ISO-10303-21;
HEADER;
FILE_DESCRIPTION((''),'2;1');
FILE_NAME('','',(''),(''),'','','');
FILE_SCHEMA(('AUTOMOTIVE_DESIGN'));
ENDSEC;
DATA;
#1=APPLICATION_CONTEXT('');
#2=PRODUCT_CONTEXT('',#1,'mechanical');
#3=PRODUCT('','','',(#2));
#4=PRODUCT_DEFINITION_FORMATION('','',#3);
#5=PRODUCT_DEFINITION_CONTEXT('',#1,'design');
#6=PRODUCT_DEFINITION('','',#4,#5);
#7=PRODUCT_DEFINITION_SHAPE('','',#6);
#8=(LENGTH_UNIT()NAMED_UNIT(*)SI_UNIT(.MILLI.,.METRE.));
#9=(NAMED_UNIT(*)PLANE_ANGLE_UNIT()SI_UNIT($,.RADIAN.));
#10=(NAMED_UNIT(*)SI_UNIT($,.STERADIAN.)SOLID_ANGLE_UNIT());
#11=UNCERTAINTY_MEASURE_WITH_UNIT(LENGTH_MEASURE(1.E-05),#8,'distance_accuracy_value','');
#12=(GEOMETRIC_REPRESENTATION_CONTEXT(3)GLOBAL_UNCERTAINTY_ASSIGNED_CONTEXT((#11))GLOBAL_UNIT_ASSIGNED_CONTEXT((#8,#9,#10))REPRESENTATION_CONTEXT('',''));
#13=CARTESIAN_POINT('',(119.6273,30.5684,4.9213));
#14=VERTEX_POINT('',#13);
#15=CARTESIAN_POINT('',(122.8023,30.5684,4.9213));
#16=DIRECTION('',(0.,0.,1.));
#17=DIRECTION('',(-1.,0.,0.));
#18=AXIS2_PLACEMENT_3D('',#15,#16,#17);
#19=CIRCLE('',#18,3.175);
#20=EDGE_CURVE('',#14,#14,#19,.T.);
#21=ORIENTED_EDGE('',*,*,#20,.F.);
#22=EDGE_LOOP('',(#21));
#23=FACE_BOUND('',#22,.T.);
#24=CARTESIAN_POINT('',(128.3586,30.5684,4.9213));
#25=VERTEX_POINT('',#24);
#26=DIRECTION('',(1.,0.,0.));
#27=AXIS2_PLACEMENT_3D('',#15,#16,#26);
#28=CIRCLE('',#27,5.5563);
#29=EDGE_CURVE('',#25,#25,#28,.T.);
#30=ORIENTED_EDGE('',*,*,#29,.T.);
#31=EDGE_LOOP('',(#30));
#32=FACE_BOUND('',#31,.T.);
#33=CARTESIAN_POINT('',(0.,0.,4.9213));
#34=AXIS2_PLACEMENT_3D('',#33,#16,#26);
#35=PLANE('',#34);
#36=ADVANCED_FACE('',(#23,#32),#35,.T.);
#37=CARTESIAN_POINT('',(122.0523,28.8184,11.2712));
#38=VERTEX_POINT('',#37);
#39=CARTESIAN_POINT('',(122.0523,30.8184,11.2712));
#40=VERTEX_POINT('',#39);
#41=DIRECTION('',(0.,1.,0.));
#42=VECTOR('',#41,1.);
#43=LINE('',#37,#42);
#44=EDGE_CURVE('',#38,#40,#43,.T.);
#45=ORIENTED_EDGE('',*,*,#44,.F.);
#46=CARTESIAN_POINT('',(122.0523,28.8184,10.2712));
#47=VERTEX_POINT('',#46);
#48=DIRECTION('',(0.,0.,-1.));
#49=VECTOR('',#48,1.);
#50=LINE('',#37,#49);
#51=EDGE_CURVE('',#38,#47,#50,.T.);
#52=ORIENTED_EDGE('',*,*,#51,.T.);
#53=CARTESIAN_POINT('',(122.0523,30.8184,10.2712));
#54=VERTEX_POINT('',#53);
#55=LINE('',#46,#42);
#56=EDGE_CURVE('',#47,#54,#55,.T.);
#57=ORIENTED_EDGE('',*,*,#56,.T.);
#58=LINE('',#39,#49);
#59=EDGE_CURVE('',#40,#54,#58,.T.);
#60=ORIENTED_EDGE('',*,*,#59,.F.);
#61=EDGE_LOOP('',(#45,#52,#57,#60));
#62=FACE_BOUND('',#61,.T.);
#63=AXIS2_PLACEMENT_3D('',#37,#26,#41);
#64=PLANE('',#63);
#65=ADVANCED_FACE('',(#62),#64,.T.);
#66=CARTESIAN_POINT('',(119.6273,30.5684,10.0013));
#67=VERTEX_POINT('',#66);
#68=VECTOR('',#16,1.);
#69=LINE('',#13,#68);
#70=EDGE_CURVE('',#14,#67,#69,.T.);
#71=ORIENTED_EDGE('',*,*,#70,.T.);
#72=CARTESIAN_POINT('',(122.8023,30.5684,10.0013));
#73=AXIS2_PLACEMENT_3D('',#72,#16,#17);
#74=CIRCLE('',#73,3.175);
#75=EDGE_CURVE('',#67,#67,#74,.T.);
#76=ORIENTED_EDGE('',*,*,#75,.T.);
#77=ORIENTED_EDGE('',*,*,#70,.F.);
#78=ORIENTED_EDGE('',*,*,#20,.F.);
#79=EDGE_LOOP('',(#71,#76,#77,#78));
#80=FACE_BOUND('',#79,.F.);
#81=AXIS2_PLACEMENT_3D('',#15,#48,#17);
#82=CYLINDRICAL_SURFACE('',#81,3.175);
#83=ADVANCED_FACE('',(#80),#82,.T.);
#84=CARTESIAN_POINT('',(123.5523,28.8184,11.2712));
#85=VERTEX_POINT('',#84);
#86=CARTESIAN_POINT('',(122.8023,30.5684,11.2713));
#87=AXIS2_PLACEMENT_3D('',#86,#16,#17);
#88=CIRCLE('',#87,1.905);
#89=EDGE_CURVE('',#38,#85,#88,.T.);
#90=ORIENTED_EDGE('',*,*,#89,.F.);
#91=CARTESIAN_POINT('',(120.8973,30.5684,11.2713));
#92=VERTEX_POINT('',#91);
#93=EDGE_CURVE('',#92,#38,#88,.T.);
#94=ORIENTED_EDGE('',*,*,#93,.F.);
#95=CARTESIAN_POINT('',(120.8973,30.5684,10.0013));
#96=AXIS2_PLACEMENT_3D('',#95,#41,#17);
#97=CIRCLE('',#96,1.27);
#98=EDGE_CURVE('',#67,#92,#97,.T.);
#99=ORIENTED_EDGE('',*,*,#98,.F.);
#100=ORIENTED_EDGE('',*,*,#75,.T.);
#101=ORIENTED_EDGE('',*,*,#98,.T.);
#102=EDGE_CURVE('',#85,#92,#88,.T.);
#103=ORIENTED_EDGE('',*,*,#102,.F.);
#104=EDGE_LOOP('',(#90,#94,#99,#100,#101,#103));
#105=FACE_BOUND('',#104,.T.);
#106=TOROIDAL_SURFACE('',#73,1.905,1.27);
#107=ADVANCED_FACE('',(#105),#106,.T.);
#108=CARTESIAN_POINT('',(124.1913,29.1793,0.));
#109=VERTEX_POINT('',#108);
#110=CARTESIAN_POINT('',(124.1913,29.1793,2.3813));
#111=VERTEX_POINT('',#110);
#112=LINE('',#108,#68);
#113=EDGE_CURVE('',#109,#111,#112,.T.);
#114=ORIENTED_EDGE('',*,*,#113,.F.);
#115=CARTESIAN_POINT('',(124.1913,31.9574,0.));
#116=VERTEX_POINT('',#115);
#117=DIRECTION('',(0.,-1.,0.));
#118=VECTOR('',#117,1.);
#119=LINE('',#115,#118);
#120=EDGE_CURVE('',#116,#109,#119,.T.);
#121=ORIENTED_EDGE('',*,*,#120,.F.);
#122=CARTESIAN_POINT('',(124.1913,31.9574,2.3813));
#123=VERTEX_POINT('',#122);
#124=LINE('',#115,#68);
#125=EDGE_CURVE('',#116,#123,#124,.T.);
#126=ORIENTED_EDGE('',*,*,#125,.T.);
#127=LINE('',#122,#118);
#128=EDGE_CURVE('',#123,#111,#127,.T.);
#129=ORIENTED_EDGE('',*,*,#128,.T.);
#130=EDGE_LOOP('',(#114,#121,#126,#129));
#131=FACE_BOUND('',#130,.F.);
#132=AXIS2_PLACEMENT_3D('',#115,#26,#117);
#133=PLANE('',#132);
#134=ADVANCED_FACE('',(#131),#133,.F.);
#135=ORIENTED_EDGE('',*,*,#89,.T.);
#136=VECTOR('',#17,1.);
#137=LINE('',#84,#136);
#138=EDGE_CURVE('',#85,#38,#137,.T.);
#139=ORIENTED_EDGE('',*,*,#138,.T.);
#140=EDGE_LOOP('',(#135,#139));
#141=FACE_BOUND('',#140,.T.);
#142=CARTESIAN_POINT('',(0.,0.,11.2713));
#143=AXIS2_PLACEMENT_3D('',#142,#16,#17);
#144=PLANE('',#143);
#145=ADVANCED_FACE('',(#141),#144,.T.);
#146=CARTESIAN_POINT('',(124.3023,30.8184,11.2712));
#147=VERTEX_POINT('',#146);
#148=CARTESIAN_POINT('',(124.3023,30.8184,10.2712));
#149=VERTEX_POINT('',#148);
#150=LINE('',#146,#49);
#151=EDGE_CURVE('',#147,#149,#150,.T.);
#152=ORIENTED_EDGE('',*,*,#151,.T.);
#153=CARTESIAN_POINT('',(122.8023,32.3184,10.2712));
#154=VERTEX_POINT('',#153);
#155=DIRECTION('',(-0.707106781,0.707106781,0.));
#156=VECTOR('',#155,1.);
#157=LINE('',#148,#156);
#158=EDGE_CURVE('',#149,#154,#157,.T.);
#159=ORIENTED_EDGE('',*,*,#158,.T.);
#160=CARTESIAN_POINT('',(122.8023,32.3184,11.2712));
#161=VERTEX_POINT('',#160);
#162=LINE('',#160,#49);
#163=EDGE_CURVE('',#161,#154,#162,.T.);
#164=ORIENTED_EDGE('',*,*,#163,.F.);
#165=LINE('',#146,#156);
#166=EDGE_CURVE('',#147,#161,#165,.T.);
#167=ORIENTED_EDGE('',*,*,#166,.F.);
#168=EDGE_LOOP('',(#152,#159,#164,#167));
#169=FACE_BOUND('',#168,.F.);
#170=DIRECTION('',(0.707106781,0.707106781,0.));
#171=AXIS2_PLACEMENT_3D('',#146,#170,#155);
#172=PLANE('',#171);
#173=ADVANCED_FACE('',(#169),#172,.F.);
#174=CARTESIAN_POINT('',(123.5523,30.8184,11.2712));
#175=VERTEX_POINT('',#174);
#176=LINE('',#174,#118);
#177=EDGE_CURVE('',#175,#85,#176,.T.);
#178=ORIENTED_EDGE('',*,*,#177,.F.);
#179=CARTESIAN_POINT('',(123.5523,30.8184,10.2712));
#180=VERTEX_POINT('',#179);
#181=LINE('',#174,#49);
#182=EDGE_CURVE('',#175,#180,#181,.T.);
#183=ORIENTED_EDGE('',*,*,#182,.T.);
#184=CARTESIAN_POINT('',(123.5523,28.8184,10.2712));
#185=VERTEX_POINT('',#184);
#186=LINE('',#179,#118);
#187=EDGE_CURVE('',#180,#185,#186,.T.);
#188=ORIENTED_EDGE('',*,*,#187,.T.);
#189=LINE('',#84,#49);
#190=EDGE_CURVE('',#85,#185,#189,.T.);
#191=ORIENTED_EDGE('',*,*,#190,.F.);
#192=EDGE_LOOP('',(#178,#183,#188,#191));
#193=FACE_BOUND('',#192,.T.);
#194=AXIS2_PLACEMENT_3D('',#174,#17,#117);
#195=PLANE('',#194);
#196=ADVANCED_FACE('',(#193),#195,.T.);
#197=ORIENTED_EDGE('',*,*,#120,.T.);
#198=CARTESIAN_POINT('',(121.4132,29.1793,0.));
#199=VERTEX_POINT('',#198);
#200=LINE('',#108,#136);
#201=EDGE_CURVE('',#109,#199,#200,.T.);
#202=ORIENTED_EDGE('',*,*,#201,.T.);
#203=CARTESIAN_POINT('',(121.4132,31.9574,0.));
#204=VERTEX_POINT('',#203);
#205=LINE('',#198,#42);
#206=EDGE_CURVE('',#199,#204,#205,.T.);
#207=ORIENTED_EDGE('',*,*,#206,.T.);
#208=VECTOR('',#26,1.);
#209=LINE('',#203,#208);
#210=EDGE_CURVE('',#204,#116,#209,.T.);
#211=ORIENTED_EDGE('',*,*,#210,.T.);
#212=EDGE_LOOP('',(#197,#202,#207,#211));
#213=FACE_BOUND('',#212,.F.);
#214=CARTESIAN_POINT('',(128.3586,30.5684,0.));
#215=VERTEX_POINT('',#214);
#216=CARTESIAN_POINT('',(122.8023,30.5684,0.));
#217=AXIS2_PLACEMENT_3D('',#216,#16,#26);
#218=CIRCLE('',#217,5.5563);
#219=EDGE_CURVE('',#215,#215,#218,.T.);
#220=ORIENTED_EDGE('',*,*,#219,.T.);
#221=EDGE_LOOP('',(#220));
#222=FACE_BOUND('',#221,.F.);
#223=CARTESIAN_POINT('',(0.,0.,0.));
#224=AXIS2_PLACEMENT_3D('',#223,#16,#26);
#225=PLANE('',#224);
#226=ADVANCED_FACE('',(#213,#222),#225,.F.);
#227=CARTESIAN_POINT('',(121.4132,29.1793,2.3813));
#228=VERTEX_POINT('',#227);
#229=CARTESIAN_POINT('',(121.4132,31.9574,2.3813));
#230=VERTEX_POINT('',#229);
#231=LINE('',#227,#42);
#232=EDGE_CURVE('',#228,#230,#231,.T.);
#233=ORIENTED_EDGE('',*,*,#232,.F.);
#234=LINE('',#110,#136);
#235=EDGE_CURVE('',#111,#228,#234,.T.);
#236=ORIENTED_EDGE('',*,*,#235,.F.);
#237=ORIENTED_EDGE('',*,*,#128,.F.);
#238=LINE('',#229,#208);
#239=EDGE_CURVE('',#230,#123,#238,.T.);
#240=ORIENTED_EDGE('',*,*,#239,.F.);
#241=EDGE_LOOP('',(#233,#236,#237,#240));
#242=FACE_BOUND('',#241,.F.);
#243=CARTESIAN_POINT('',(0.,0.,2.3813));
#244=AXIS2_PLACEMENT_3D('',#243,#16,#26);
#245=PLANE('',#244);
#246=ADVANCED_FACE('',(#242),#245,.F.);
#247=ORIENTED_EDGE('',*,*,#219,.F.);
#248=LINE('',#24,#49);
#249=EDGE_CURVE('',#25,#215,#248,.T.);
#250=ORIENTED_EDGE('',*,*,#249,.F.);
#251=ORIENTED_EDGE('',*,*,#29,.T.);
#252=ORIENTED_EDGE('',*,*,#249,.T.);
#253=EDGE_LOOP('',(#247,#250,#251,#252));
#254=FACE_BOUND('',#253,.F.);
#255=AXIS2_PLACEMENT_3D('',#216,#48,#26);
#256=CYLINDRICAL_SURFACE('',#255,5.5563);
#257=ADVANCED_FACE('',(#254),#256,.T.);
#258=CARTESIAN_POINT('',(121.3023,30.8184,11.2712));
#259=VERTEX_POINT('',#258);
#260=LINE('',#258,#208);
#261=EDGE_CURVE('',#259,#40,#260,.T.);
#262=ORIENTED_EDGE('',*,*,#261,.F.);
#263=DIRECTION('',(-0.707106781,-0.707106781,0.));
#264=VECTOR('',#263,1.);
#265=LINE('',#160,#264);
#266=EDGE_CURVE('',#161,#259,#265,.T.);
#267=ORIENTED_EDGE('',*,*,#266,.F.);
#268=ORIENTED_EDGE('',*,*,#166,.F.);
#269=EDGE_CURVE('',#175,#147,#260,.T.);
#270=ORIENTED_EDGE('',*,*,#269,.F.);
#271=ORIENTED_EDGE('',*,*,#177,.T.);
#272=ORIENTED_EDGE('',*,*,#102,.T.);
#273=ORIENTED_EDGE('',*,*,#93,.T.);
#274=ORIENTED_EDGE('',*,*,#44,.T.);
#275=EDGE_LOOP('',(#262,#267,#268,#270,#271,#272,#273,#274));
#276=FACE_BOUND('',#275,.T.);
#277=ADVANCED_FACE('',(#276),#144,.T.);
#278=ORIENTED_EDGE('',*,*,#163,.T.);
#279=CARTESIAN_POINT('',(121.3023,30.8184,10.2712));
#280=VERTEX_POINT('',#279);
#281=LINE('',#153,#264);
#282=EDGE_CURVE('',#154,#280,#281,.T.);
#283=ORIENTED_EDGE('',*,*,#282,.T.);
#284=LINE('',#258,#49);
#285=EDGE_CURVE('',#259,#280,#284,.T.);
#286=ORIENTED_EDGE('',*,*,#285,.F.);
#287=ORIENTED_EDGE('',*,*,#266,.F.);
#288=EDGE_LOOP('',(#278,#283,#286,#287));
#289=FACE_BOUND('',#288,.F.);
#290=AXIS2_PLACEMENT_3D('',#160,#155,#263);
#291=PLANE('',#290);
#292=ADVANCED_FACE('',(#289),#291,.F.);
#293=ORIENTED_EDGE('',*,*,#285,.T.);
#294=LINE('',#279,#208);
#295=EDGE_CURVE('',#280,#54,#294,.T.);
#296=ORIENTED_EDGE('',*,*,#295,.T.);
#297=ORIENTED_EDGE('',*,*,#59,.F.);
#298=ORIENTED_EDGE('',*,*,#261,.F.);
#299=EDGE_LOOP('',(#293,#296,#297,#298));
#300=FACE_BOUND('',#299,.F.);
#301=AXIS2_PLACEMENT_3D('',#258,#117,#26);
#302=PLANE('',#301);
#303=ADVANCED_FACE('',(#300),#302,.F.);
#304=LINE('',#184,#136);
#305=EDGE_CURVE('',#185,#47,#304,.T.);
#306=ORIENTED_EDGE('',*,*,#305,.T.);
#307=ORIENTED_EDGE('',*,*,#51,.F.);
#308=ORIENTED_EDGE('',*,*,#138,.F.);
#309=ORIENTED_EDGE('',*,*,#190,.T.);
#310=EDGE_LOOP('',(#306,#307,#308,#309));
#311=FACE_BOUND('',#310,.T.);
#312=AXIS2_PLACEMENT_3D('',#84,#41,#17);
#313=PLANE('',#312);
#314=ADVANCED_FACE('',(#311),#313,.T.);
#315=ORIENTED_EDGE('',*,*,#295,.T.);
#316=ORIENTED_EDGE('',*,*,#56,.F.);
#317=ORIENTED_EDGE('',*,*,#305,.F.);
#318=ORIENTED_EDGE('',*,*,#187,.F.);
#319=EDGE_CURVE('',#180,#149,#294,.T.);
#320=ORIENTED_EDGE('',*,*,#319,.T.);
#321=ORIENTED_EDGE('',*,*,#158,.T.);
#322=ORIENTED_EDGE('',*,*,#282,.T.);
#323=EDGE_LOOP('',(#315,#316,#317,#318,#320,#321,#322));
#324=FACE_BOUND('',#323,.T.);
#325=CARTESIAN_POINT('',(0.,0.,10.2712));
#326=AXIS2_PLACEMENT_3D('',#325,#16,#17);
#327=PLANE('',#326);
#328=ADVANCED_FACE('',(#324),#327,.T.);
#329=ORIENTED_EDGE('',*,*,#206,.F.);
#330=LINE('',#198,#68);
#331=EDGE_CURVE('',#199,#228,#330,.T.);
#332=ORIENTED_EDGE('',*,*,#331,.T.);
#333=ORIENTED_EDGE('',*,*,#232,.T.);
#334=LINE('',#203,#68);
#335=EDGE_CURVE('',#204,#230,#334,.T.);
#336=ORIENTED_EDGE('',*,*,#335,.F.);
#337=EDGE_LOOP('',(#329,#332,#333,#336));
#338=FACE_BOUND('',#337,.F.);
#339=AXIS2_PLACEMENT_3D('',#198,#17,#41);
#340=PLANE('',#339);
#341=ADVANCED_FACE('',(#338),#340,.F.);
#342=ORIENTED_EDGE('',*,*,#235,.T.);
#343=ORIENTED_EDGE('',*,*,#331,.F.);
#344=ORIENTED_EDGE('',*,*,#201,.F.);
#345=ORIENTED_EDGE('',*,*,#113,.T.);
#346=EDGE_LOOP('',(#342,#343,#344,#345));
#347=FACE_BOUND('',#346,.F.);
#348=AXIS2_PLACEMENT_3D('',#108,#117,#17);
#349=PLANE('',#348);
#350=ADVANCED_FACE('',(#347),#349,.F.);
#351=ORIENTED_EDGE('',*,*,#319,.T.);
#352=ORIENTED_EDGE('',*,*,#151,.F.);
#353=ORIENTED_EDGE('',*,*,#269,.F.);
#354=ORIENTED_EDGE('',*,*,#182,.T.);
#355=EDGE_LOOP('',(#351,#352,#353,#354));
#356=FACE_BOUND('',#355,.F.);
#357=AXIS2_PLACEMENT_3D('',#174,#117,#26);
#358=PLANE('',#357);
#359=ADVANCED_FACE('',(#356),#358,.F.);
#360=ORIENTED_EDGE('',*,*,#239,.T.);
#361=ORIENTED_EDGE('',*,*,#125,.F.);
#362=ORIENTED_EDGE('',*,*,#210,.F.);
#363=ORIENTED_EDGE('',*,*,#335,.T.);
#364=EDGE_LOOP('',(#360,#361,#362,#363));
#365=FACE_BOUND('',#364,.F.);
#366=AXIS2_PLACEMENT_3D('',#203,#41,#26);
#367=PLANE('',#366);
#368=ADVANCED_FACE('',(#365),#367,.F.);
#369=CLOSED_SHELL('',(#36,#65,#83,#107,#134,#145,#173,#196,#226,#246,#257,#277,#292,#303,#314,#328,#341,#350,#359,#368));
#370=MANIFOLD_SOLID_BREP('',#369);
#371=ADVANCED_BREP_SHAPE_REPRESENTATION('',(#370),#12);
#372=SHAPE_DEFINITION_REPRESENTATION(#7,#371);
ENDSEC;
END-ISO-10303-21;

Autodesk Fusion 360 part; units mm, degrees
sketch "Sketch1" plane through (0, 0, 0) normal (0, 0, 1) x (1, 0, 0)
  line L0 (121.4132, 31.9574) -> (124.1913, 31.9574)
  line L1 (124.1913, 31.9574) -> (124.1913, 29.1793)
  line L2 (124.1913, 29.1793) -> (121.4132, 29.1793)
  line L3 (121.4132, 29.1793) -> (121.4132, 31.9574)
  circle A0 centre (122.8023, 30.5684) radius 5.5563
  dimension "d1" = 2.7781
  dimension "d2" = 2.7781
  dimension "d17" = 11.1125
extrude "Extrude1" add sketch "Sketch1" along normal blind 2.3813
extrude "Extrude4" add sketch "Sketch1" along normal blind 2.54 from surface at 2.3813 contours L0 L1 L2 L3 | A0
sketch "Sketch2" plane through (0, 0, 4.9213) normal (0, 0, 1) x (-1, 0, 0)
  line L0 (-124.1913, -29.1793) -> (-121.4132, -29.1793)
  line L1 (-121.4132, -29.1793) -> (-121.4132, -31.9574)
  line L2 (-121.4132, -31.9574) -> (-124.1913, -31.9574)
  line L3 (-124.1913, -31.9574) -> (-124.1913, -29.1793)
  circle A0 centre (-122.8023, -30.5684) radius 3.175
  circle A1 centre (-122.8023, -30.5684) radius 5.5562
  circle A2 centre (-122.8023, -30.5684) radius 5.5562
  point P0 (-121.4132, -30.5684)
  point P1 (-122.8023, -31.9574)
  dimension "d6" = 6.35
extrude "Extrude2" add sketch "Sketch2" along normal blind 6.35 contours L0 L1 L2 L3 | A0
fillet "Fillet1" radius 1.27 1 edges at (125.7624, 31.7165, 11.2712)
sketch "Sketch3" plane through (0, 0, 11.2712) normal (0, 0, 1) x (-1, 0, 0)
  circle A0 centre (-122.8023, -30.5684) radius 1.905
  line L0 (-122.0523, -30.8184) -> (-123.5523, -30.8184) construction
  line L1 (-123.5523, -30.8184) -> (-123.5523, -28.8184)
  line L2 (-123.5523, -28.8184) -> (-122.0523, -28.8184)
  line L3 (-122.0523, -28.8184) -> (-122.0523, -30.8184)
  line L4 (-121.3023, -30.8184) -> (-124.3023, -30.8184)
  line L5 (-124.3023, -30.8184) -> (-122.8023, -32.3184)
  line L6 (-122.8023, -32.3184) -> (-121.3023, -30.8184)
  line L7 (-122.8023, -32.3184) -> (-122.8023, -28.8184) construction
  point P0 (-122.8023, -30.8184)
  point P1 (-122.8023, -30.5684)
  dimension "d11" = 1.5
  dimension "d12" = 2
  dimension "d13" = 1.5
  dimension "d14" = 3
extrude "Extrude3" cut sketch "Sketch3" against normal blind 1 contours L1 L2 L3 L4 | L4 L5 L6
equation "d1 = ( 7 / 64 ) * 1 in"
equation "d2 = ( 7 / 64 ) * 1 in"
equation "d4 = ( 3 / 32 ) * 1 in"
equation "d17 = ( 7 / 16 ) * 1 in"
